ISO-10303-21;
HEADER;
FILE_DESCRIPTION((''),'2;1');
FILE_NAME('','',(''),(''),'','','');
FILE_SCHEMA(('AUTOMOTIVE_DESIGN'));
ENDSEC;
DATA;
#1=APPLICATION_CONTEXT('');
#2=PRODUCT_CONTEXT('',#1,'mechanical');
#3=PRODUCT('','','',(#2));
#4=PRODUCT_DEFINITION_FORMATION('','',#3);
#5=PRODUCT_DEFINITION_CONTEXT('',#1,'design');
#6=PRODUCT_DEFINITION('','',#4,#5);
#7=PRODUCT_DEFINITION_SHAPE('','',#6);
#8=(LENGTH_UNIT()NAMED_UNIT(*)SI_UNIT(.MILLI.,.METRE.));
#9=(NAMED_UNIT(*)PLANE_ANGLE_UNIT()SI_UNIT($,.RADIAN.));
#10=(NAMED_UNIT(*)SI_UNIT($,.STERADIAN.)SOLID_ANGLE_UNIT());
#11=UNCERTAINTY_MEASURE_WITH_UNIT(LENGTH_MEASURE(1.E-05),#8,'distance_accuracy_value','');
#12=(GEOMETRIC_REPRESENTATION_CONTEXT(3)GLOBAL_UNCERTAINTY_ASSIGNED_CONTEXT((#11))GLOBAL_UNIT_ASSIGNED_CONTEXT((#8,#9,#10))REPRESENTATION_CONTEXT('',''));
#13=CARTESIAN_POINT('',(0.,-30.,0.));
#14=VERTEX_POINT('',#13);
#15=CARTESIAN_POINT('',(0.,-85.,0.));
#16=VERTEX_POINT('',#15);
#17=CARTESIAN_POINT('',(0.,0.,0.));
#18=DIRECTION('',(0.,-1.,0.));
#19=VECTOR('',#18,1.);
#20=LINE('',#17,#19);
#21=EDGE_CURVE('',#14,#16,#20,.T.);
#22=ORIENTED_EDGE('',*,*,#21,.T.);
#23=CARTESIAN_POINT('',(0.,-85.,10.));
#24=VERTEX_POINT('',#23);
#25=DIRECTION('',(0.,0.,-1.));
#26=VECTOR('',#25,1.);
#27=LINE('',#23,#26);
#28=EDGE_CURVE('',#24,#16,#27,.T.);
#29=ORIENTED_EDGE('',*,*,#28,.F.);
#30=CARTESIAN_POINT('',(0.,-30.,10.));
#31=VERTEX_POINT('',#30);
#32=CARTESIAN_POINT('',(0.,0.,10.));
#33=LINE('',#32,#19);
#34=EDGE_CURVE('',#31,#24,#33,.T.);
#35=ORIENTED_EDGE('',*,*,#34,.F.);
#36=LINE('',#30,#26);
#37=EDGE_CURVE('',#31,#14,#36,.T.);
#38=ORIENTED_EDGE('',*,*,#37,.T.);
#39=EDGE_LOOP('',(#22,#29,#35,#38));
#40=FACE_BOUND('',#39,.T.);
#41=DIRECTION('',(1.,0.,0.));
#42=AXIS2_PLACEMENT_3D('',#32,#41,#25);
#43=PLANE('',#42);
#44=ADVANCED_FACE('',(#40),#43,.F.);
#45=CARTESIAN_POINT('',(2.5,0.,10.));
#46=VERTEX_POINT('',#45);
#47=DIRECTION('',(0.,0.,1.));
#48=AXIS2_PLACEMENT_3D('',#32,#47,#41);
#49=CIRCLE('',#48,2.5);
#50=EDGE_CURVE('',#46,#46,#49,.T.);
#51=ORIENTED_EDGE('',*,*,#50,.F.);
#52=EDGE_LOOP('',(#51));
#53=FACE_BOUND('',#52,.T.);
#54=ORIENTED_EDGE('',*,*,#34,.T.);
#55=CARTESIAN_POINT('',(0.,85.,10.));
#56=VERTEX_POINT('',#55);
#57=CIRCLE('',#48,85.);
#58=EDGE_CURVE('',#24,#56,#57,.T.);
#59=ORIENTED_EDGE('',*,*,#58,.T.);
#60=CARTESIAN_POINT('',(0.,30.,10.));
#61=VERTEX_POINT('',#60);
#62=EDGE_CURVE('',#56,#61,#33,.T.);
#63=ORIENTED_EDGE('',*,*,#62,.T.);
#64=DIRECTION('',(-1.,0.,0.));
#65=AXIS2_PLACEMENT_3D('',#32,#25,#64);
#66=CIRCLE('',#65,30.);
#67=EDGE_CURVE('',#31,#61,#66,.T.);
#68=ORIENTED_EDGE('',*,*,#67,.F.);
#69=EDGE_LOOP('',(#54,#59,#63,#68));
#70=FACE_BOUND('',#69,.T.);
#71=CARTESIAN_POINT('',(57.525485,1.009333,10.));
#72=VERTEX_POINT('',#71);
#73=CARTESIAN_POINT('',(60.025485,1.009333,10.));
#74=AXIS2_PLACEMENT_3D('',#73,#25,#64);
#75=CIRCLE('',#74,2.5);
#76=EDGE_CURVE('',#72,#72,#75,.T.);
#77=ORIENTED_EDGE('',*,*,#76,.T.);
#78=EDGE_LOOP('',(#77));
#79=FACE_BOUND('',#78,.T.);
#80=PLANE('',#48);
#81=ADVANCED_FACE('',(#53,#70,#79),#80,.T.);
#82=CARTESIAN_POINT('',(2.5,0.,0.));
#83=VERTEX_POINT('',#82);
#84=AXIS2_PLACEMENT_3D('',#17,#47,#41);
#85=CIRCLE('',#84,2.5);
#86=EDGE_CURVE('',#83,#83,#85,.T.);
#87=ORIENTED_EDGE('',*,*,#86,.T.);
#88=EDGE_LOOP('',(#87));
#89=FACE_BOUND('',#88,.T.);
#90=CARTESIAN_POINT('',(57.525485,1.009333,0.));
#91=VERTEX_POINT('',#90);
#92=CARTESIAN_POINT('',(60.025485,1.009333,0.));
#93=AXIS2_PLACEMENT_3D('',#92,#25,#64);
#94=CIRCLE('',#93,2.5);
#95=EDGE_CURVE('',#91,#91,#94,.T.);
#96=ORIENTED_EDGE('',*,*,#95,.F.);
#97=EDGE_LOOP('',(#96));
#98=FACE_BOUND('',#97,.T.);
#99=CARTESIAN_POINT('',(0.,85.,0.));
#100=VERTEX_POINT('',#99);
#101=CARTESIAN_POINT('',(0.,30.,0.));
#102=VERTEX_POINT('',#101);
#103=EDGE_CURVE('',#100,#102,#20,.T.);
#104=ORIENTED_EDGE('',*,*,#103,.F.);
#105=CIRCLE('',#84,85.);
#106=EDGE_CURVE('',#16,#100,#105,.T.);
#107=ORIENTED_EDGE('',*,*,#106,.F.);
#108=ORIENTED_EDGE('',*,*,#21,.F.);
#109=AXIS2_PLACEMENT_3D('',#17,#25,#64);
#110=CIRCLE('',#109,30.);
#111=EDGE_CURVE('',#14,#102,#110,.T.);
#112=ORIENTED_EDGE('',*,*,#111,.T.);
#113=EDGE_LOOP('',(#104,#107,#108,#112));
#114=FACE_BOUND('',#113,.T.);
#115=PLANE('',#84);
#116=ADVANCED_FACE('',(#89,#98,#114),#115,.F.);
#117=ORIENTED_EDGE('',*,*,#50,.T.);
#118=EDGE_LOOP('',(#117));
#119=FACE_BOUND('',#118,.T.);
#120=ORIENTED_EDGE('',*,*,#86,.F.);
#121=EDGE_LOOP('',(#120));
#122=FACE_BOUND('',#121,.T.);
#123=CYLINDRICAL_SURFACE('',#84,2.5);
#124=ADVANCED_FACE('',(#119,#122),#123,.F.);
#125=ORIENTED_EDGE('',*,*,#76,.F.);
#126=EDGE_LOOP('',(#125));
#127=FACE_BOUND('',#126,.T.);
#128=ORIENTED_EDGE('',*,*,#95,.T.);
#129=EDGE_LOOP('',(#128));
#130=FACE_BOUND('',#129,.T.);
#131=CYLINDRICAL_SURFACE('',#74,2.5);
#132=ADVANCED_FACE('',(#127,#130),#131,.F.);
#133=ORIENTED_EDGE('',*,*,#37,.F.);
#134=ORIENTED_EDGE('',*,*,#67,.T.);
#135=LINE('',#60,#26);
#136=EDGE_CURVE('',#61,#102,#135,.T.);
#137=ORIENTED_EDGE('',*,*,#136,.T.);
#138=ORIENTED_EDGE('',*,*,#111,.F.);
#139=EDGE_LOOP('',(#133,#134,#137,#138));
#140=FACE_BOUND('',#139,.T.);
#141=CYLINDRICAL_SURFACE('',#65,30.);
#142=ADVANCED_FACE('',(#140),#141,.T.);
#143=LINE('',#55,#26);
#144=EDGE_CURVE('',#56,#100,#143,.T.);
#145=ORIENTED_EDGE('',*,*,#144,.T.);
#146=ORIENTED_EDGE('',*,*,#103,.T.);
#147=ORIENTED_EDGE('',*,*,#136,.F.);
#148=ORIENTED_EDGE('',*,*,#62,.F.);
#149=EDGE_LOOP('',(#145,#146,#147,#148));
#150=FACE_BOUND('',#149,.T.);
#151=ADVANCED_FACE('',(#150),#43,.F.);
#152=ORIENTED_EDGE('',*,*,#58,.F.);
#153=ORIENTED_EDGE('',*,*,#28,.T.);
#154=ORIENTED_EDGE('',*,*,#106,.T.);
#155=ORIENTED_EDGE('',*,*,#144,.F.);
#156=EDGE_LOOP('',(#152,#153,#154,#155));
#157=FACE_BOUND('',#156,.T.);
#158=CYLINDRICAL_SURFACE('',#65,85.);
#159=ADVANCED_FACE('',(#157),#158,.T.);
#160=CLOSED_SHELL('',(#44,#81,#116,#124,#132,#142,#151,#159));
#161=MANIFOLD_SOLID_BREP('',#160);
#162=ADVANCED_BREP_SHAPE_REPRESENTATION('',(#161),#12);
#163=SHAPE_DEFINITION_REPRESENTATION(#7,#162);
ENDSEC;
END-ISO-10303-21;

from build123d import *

# Parameters (mm, degrees)
SKETCH_1_R          = 85
EXTRUDE_1_DEPTH     = 10
SKETCH_2_R          = 2.5
CUT_EXTRUDE_1_DEPTH = 121.623380818
SKETCH_3_R          = 2.5
CUT_EXTRUDE_2_DEPTH = 121.623380818
CUT_EXTRUDE_3_DEPTH = 121.623380818
EXTRUDE_START       = -10
SKETCH_5_R          = 2.5
EXTRUDE_2_DEPTH     = 10


with BuildPart() as part:
    # 草图1 → 凸台-拉伸1 (new body)
    with BuildSketch(Plane.XY):
        Circle(SKETCH_1_R)
    extrude(amount=EXTRUDE_1_DEPTH)

    # 草图2 → 切除-拉伸1 (cut, through all)
    with BuildSketch(Plane.XY.offset(10)):
        Circle(SKETCH_2_R)
        with Locations((80, 0)):
            Circle(SKETCH_2_R)
    extrude(amount=-CUT_EXTRUDE_1_DEPTH, mode=Mode.SUBTRACT)

    # 草图3 → 切除-拉伸2 (cut, through all)
    with BuildSketch(Plane(origin=(0, 0, 0), x_dir=(-1, 0, 0), z_dir=(0, 0, -1))):
        with Locations((-60.025485081, 1.009333311)):
            Circle(SKETCH_3_R)
    extrude(amount=-CUT_EXTRUDE_2_DEPTH, mode=Mode.SUBTRACT)

    # 草图4 → 切除-拉伸3 (cut, through all)
    with BuildSketch(Plane(origin=(0, 0, 0), x_dir=(-1, 0, 0), z_dir=(0, 0, -1))):
        with BuildLine():
            ThreePointArc((85, 0), (60.104076401, 60.104076401), (0, 85))
            Line((0, 85), (0, 30))
            ThreePointArc((0, 30), (21.213203436, 21.213203436), (30, 0))
            ThreePointArc((30, 0), (21.213203436, -21.213203436), (0, -30))
            Line((0, -30), (0, -85))
            ThreePointArc((0, -85), (60.104076401, -60.104076401), (85, 0))
        make_face()
    extrude(amount=-CUT_EXTRUDE_3_DEPTH, mode=Mode.SUBTRACT)

    # 草图5 → 凸台-拉伸2 (add)
    with BuildSketch(Plane(origin=(0, 0, 0), x_dir=(-1, 0, 0), z_dir=(0, 0, -1)).offset(EXTRUDE_START)):
        with Locations((-80, 0)):
            Circle(SKETCH_5_R)
    extrude(amount=EXTRUDE_2_DEPTH)


solid = part.part
